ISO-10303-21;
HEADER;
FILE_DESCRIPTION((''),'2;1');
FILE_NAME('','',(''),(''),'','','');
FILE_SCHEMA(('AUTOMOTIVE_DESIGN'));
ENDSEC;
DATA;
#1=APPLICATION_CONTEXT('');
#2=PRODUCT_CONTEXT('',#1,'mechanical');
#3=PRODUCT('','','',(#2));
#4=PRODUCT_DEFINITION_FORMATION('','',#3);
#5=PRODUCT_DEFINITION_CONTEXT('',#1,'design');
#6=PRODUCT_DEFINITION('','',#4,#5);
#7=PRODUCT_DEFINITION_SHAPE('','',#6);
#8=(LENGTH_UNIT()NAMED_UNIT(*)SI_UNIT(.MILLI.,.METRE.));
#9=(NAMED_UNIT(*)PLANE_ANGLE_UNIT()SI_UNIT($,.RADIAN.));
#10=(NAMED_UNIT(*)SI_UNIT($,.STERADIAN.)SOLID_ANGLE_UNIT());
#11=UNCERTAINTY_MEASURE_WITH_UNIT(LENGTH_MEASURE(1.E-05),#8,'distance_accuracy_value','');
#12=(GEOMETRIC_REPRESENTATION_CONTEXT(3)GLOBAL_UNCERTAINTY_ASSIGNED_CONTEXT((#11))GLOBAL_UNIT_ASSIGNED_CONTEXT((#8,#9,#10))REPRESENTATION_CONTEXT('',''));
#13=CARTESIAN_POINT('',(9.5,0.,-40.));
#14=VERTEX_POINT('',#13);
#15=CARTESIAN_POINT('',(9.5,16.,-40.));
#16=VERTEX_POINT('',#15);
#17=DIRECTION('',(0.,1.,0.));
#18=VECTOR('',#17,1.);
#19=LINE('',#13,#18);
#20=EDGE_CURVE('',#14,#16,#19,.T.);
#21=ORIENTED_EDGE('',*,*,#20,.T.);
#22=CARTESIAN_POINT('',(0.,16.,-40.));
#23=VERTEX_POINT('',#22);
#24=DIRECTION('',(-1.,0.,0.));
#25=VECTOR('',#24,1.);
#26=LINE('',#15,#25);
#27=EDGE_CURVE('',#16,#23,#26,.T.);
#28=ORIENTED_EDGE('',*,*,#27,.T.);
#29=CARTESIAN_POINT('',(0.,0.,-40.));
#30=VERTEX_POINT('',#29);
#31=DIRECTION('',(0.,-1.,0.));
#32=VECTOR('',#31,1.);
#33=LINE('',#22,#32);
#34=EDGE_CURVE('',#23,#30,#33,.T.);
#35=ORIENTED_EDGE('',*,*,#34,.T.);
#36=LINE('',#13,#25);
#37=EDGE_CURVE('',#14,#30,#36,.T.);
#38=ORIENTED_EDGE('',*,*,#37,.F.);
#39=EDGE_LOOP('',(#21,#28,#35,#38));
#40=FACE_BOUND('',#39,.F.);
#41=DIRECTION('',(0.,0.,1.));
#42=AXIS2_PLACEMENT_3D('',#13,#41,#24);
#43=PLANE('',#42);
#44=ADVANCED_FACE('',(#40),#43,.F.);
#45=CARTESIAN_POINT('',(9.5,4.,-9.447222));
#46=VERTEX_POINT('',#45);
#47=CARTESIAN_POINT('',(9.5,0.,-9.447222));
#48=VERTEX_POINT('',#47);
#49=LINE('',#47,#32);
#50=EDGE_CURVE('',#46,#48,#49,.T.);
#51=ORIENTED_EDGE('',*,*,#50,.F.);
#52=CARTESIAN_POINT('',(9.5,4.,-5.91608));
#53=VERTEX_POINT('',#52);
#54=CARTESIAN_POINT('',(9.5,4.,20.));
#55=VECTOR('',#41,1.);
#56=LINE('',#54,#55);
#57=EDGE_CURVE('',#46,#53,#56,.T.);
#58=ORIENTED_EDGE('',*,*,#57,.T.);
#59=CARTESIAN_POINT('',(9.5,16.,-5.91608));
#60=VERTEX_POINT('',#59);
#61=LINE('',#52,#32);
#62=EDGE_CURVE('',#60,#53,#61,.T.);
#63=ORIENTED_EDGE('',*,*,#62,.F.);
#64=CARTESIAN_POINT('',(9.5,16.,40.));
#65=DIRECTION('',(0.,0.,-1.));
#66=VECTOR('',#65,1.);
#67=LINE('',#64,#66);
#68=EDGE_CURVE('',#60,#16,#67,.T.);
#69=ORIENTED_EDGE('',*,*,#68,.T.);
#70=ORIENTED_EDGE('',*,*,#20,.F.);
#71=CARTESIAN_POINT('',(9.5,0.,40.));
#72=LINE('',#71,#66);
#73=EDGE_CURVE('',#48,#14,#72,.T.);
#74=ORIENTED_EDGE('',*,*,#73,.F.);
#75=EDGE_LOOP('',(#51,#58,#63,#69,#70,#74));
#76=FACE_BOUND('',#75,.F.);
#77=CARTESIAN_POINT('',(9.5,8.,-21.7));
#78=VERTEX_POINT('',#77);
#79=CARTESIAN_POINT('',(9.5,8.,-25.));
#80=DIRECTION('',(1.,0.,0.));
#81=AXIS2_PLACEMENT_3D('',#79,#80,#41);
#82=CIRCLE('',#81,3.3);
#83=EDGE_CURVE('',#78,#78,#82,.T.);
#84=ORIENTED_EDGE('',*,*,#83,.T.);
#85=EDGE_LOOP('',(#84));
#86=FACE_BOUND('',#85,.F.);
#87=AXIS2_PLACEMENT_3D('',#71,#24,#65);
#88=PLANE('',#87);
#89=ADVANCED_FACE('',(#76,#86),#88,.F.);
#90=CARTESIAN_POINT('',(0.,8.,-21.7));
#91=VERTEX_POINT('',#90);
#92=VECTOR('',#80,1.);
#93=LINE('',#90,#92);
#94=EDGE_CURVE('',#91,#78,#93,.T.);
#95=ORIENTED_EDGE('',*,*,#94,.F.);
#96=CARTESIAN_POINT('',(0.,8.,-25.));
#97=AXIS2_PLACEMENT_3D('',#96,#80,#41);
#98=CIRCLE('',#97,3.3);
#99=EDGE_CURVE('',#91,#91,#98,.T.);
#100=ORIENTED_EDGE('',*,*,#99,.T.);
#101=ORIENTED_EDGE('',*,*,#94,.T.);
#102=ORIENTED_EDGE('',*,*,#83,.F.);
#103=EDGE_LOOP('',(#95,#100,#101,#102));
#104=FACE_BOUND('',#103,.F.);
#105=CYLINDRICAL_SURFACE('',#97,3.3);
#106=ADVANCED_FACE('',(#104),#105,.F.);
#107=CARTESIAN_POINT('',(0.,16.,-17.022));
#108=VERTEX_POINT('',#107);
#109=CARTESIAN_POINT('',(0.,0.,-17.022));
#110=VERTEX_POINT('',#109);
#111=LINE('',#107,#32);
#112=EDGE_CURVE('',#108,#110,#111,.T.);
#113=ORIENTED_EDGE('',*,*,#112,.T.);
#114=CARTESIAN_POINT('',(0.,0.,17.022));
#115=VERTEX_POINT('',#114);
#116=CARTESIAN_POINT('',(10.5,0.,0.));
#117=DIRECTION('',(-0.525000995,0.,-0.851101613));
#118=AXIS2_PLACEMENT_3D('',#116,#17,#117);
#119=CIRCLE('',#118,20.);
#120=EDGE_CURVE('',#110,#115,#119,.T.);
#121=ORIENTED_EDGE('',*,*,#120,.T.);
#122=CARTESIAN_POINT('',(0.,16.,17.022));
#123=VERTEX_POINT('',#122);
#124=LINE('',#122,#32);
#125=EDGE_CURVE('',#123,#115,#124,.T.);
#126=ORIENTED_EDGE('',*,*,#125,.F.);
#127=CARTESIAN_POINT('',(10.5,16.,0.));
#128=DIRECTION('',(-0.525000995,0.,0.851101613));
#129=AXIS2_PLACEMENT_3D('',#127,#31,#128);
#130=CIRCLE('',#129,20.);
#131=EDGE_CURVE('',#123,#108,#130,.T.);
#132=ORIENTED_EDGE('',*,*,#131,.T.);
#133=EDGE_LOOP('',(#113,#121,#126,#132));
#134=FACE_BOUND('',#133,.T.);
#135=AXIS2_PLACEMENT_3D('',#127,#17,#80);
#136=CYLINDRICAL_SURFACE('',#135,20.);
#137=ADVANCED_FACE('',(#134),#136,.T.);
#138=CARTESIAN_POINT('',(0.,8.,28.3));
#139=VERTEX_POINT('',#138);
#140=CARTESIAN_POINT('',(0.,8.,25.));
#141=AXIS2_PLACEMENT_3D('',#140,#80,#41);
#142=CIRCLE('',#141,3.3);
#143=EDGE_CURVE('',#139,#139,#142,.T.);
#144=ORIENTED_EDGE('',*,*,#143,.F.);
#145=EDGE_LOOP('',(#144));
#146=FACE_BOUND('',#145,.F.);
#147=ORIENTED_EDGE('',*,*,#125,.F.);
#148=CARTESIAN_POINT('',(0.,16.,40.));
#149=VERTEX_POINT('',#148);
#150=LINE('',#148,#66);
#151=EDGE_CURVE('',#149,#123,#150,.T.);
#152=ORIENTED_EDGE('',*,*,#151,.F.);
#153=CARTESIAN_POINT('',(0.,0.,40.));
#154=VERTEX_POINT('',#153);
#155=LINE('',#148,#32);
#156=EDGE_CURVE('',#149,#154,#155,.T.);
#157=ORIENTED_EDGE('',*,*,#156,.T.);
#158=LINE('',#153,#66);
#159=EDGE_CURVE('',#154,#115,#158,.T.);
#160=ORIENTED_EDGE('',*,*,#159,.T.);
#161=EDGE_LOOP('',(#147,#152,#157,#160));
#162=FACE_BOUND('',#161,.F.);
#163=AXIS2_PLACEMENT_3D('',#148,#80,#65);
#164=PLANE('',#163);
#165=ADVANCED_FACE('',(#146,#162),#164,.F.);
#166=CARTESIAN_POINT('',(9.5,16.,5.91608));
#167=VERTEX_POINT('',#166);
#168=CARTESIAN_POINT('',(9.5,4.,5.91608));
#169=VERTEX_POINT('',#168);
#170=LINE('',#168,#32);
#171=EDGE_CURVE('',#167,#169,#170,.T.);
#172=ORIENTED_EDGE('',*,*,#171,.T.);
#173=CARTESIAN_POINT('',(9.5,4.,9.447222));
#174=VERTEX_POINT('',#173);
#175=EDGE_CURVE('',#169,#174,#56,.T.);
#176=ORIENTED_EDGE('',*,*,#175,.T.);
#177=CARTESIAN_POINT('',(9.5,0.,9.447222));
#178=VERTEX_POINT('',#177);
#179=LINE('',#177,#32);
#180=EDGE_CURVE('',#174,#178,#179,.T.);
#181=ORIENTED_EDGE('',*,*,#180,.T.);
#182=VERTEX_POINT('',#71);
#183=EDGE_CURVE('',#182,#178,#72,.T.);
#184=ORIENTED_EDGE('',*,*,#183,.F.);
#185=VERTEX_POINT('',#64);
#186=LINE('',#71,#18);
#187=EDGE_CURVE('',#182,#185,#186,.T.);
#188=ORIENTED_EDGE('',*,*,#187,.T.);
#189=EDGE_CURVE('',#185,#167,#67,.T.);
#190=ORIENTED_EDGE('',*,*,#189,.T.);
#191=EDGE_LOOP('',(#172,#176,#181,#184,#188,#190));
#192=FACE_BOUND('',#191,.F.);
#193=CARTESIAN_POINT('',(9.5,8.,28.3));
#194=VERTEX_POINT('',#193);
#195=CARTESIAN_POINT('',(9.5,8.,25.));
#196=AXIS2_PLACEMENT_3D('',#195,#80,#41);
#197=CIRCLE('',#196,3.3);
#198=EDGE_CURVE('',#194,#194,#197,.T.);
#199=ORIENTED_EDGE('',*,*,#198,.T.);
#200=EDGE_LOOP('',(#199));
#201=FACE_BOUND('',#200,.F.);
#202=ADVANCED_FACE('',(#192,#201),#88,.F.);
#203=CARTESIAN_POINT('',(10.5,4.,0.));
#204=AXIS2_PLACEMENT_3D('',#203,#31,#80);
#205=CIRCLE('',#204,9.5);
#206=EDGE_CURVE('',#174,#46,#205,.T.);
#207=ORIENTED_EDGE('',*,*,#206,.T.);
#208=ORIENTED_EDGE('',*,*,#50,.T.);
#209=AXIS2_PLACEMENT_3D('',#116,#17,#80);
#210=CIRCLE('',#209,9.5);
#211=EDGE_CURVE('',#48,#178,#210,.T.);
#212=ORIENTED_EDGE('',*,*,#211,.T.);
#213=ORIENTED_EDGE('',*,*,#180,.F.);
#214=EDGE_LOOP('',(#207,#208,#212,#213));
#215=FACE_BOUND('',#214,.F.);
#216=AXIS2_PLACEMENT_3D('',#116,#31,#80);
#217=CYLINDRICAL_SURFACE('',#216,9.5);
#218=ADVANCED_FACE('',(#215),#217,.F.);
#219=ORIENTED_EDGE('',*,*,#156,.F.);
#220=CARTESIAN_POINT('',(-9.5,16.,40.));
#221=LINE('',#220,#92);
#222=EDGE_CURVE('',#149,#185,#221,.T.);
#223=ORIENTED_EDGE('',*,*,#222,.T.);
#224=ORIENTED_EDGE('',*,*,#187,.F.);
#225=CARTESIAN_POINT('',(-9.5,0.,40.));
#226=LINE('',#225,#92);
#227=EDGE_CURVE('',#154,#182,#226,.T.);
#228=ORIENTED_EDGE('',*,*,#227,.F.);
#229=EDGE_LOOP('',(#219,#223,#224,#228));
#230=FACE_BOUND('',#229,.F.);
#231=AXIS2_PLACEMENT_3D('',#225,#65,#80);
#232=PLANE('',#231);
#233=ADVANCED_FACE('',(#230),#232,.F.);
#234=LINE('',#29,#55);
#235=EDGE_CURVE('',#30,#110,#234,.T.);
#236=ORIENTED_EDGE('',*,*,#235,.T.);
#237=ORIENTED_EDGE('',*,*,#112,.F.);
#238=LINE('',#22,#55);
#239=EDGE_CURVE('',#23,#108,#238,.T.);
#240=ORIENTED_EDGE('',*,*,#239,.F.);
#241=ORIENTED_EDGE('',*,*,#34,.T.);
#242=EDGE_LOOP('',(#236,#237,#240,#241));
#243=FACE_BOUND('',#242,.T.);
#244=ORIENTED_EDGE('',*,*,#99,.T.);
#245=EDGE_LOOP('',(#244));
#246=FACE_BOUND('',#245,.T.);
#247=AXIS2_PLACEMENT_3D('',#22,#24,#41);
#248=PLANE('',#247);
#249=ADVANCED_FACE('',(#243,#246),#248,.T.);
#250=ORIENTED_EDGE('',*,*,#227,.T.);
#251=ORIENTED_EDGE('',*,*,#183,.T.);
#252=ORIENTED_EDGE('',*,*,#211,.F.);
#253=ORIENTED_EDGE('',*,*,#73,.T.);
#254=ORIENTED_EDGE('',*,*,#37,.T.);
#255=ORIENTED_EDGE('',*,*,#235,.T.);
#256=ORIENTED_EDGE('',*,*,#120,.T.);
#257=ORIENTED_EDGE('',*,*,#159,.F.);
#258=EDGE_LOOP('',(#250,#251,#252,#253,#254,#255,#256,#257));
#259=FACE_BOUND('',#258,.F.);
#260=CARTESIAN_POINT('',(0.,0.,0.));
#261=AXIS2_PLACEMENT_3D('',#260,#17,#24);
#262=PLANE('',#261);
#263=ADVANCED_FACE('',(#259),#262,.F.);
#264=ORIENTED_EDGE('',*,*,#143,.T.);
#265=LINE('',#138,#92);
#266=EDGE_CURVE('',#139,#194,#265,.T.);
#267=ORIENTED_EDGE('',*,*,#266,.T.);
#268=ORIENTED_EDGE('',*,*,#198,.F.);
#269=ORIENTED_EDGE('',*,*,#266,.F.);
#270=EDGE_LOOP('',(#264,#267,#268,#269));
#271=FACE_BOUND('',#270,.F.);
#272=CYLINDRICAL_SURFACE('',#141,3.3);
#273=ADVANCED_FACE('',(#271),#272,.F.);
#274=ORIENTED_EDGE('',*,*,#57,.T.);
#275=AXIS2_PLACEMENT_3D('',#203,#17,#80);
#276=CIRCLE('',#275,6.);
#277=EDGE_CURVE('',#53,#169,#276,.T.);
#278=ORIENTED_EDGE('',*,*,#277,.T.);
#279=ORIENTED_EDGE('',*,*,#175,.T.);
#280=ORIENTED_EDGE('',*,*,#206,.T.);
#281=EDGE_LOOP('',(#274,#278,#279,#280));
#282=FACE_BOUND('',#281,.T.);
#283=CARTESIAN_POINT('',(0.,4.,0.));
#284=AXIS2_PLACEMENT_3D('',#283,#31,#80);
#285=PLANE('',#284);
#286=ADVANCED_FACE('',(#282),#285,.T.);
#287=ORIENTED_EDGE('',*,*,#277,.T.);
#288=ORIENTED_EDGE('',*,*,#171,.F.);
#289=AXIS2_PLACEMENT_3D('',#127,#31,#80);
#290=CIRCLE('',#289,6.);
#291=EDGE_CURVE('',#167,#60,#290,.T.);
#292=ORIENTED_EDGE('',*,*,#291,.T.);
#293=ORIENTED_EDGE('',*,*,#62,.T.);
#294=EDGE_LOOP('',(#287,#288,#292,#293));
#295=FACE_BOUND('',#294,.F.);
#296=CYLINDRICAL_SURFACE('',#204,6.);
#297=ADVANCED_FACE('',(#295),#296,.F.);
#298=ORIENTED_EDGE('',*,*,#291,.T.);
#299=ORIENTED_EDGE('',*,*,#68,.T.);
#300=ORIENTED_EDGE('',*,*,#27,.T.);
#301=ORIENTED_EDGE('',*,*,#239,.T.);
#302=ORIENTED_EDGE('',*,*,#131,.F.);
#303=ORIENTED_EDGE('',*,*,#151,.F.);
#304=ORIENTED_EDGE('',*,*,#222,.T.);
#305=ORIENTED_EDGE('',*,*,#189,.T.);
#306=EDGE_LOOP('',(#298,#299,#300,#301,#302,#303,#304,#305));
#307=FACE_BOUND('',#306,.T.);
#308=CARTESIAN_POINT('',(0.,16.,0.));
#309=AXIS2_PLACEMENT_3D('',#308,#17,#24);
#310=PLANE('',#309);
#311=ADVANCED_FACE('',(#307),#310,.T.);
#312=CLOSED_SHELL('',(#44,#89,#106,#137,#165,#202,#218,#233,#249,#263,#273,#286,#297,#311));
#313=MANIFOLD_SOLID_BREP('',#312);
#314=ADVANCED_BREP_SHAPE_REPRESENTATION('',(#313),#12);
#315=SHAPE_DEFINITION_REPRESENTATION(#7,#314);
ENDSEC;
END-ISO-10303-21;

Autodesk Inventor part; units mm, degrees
ref_plane "YZ Plane" through (0, 0, 0) normal (1, 0, 0) x (0, 1, 0)
ref_plane "XZ Plane" through (0, 0, 0) normal (0, 1, 0) x (-1, 0, 0)
ref_plane "XY Plane" through (0, 0, 0) normal (0, 0, 1) x (1, 0, 0)
sketch "Schizzo1" plane through (0, 0, 0) normal (0, 1, 0) x (-1, 0, 0)
  line L0 (9.5, 40) -> (-9.5, 40)
  line L1 (-9.5, 40) -> (-9.5, -40)
  line L2 (-9.5, -40) -> (9.5, -40)
  line L3 (9.5, -40) -> (9.5, 40)
  line L4 (9.5, 40) -> (-9.5, -40) construction
  line L5 (-9.5, 40) -> (9.5, -40) construction
  point P0 (0, 0)
  point P1 (0, 0)
  point P2 (0, 0)
  dimension "d0" = 19
  dimension "d15" = 80
extrude "Estrusione1" add sketch "Schizzo1" along normal blind 16
sketch "Schizzo2" plane through (0, 0, 0) normal (0, -1, 0) x (1, 0, 0)
  line L0 (9.5, 40) -> (9.5, -40) projected
  line L1 (9.5, 0) -> (10.5, 0)
  line L2 (9.5, 0) -> (10.5, 0) construction
  circle A0 centre (10.5, 0) radius 9.5
  point P0 (0, 0)
  dimension "d9" = 1
  dimension "d10" = 0
  dimension "d11" = 19
extrude "Estrusione2" cut sketch "Schizzo2" against normal blind 4
sketch "Schizzo4" plane through (0, 4, 0) normal (0, -1, 0) x (1, 0, 0)
  line L0 (9.5, 9.4472) -> (9.5, -9.4472) projected
  line L1 (9.5, 0) -> (10.5, 0)
  line L2 (9.5, 0) -> (10.5, 0) construction
  circle A0 centre (10.5, 0) radius 6
  point P0 (0, 0)
  point P1 (24.5, 9.5)
  point P2 (24.5, -9.5)
  dimension "d12" = 1
  dimension "d13" = 0
  dimension "d14" = 12
extrude "Estrusione3" cut sketch "Schizzo4" against normal blind 26
sketch "Schizzo8" plane through (0, 16, 0) normal (0, 1, 0) x (1, 0, 0)
  arc A0 (9.5, 5.9161) -> (9.5, -5.9161) centre (10.5, 0) ccw projected
  circle A1 centre (10.5, 0) radius 20
  line L0 (-9.5, 40) -> (-9.5, -40) projected
  line L1 (-9.5, 0) -> (-9.5, -40)
  line L2 (-9.5, -40) -> (0, -40)
  line L3 (-9.5, -40) -> (9.5, -40) projected
  line L4 (0, -40) -> (0, -17.022)
  line L5 (9.5, 40) -> (-9.5, 40) projected
  line L6 (-9.5, 0) -> (-9.5, 40)
  line L7 (-9.5, 40) -> (0, 40)
  line L8 (0, 40) -> (0, 17.022)
  point P0 (0, 0)
  dimension "d17" = 40
extrude "Estrusione4" cut sketch "Schizzo8" against normal blind 16 contours A1 L0 L5 L8 | L4 L2 L0 A1
sketch "Schizzo9" plane through (0, 16, -40) normal (-1, 0, 0) x (0, 0, 1)
  line L0 (40, -16) -> (40, -8)
  line L1 (40, -16) -> (48, -16) construction
  line L2 (40, -8) -> (15, -8)
  line L3 (40, -8) -> (65, -8)
  line L4 (40, -8) -> (65, -8) construction
  dimension "d20" = 8
  dimension "d21" = 90
  dimension "d22" = 25
  dimension "d23" = 90
  dimension "d24" = 25
  dimension "d25" = 0
hole "Foro1" at (0, 8, 25) at (0, 8, -25) direction (1, 0, 0) diameter 6.6 end through all clearance for "Bullone a testa esagonale" size "M6" standard "ANSI - Profilo M Metrico"
properties part number "15_Base_Dietro"
